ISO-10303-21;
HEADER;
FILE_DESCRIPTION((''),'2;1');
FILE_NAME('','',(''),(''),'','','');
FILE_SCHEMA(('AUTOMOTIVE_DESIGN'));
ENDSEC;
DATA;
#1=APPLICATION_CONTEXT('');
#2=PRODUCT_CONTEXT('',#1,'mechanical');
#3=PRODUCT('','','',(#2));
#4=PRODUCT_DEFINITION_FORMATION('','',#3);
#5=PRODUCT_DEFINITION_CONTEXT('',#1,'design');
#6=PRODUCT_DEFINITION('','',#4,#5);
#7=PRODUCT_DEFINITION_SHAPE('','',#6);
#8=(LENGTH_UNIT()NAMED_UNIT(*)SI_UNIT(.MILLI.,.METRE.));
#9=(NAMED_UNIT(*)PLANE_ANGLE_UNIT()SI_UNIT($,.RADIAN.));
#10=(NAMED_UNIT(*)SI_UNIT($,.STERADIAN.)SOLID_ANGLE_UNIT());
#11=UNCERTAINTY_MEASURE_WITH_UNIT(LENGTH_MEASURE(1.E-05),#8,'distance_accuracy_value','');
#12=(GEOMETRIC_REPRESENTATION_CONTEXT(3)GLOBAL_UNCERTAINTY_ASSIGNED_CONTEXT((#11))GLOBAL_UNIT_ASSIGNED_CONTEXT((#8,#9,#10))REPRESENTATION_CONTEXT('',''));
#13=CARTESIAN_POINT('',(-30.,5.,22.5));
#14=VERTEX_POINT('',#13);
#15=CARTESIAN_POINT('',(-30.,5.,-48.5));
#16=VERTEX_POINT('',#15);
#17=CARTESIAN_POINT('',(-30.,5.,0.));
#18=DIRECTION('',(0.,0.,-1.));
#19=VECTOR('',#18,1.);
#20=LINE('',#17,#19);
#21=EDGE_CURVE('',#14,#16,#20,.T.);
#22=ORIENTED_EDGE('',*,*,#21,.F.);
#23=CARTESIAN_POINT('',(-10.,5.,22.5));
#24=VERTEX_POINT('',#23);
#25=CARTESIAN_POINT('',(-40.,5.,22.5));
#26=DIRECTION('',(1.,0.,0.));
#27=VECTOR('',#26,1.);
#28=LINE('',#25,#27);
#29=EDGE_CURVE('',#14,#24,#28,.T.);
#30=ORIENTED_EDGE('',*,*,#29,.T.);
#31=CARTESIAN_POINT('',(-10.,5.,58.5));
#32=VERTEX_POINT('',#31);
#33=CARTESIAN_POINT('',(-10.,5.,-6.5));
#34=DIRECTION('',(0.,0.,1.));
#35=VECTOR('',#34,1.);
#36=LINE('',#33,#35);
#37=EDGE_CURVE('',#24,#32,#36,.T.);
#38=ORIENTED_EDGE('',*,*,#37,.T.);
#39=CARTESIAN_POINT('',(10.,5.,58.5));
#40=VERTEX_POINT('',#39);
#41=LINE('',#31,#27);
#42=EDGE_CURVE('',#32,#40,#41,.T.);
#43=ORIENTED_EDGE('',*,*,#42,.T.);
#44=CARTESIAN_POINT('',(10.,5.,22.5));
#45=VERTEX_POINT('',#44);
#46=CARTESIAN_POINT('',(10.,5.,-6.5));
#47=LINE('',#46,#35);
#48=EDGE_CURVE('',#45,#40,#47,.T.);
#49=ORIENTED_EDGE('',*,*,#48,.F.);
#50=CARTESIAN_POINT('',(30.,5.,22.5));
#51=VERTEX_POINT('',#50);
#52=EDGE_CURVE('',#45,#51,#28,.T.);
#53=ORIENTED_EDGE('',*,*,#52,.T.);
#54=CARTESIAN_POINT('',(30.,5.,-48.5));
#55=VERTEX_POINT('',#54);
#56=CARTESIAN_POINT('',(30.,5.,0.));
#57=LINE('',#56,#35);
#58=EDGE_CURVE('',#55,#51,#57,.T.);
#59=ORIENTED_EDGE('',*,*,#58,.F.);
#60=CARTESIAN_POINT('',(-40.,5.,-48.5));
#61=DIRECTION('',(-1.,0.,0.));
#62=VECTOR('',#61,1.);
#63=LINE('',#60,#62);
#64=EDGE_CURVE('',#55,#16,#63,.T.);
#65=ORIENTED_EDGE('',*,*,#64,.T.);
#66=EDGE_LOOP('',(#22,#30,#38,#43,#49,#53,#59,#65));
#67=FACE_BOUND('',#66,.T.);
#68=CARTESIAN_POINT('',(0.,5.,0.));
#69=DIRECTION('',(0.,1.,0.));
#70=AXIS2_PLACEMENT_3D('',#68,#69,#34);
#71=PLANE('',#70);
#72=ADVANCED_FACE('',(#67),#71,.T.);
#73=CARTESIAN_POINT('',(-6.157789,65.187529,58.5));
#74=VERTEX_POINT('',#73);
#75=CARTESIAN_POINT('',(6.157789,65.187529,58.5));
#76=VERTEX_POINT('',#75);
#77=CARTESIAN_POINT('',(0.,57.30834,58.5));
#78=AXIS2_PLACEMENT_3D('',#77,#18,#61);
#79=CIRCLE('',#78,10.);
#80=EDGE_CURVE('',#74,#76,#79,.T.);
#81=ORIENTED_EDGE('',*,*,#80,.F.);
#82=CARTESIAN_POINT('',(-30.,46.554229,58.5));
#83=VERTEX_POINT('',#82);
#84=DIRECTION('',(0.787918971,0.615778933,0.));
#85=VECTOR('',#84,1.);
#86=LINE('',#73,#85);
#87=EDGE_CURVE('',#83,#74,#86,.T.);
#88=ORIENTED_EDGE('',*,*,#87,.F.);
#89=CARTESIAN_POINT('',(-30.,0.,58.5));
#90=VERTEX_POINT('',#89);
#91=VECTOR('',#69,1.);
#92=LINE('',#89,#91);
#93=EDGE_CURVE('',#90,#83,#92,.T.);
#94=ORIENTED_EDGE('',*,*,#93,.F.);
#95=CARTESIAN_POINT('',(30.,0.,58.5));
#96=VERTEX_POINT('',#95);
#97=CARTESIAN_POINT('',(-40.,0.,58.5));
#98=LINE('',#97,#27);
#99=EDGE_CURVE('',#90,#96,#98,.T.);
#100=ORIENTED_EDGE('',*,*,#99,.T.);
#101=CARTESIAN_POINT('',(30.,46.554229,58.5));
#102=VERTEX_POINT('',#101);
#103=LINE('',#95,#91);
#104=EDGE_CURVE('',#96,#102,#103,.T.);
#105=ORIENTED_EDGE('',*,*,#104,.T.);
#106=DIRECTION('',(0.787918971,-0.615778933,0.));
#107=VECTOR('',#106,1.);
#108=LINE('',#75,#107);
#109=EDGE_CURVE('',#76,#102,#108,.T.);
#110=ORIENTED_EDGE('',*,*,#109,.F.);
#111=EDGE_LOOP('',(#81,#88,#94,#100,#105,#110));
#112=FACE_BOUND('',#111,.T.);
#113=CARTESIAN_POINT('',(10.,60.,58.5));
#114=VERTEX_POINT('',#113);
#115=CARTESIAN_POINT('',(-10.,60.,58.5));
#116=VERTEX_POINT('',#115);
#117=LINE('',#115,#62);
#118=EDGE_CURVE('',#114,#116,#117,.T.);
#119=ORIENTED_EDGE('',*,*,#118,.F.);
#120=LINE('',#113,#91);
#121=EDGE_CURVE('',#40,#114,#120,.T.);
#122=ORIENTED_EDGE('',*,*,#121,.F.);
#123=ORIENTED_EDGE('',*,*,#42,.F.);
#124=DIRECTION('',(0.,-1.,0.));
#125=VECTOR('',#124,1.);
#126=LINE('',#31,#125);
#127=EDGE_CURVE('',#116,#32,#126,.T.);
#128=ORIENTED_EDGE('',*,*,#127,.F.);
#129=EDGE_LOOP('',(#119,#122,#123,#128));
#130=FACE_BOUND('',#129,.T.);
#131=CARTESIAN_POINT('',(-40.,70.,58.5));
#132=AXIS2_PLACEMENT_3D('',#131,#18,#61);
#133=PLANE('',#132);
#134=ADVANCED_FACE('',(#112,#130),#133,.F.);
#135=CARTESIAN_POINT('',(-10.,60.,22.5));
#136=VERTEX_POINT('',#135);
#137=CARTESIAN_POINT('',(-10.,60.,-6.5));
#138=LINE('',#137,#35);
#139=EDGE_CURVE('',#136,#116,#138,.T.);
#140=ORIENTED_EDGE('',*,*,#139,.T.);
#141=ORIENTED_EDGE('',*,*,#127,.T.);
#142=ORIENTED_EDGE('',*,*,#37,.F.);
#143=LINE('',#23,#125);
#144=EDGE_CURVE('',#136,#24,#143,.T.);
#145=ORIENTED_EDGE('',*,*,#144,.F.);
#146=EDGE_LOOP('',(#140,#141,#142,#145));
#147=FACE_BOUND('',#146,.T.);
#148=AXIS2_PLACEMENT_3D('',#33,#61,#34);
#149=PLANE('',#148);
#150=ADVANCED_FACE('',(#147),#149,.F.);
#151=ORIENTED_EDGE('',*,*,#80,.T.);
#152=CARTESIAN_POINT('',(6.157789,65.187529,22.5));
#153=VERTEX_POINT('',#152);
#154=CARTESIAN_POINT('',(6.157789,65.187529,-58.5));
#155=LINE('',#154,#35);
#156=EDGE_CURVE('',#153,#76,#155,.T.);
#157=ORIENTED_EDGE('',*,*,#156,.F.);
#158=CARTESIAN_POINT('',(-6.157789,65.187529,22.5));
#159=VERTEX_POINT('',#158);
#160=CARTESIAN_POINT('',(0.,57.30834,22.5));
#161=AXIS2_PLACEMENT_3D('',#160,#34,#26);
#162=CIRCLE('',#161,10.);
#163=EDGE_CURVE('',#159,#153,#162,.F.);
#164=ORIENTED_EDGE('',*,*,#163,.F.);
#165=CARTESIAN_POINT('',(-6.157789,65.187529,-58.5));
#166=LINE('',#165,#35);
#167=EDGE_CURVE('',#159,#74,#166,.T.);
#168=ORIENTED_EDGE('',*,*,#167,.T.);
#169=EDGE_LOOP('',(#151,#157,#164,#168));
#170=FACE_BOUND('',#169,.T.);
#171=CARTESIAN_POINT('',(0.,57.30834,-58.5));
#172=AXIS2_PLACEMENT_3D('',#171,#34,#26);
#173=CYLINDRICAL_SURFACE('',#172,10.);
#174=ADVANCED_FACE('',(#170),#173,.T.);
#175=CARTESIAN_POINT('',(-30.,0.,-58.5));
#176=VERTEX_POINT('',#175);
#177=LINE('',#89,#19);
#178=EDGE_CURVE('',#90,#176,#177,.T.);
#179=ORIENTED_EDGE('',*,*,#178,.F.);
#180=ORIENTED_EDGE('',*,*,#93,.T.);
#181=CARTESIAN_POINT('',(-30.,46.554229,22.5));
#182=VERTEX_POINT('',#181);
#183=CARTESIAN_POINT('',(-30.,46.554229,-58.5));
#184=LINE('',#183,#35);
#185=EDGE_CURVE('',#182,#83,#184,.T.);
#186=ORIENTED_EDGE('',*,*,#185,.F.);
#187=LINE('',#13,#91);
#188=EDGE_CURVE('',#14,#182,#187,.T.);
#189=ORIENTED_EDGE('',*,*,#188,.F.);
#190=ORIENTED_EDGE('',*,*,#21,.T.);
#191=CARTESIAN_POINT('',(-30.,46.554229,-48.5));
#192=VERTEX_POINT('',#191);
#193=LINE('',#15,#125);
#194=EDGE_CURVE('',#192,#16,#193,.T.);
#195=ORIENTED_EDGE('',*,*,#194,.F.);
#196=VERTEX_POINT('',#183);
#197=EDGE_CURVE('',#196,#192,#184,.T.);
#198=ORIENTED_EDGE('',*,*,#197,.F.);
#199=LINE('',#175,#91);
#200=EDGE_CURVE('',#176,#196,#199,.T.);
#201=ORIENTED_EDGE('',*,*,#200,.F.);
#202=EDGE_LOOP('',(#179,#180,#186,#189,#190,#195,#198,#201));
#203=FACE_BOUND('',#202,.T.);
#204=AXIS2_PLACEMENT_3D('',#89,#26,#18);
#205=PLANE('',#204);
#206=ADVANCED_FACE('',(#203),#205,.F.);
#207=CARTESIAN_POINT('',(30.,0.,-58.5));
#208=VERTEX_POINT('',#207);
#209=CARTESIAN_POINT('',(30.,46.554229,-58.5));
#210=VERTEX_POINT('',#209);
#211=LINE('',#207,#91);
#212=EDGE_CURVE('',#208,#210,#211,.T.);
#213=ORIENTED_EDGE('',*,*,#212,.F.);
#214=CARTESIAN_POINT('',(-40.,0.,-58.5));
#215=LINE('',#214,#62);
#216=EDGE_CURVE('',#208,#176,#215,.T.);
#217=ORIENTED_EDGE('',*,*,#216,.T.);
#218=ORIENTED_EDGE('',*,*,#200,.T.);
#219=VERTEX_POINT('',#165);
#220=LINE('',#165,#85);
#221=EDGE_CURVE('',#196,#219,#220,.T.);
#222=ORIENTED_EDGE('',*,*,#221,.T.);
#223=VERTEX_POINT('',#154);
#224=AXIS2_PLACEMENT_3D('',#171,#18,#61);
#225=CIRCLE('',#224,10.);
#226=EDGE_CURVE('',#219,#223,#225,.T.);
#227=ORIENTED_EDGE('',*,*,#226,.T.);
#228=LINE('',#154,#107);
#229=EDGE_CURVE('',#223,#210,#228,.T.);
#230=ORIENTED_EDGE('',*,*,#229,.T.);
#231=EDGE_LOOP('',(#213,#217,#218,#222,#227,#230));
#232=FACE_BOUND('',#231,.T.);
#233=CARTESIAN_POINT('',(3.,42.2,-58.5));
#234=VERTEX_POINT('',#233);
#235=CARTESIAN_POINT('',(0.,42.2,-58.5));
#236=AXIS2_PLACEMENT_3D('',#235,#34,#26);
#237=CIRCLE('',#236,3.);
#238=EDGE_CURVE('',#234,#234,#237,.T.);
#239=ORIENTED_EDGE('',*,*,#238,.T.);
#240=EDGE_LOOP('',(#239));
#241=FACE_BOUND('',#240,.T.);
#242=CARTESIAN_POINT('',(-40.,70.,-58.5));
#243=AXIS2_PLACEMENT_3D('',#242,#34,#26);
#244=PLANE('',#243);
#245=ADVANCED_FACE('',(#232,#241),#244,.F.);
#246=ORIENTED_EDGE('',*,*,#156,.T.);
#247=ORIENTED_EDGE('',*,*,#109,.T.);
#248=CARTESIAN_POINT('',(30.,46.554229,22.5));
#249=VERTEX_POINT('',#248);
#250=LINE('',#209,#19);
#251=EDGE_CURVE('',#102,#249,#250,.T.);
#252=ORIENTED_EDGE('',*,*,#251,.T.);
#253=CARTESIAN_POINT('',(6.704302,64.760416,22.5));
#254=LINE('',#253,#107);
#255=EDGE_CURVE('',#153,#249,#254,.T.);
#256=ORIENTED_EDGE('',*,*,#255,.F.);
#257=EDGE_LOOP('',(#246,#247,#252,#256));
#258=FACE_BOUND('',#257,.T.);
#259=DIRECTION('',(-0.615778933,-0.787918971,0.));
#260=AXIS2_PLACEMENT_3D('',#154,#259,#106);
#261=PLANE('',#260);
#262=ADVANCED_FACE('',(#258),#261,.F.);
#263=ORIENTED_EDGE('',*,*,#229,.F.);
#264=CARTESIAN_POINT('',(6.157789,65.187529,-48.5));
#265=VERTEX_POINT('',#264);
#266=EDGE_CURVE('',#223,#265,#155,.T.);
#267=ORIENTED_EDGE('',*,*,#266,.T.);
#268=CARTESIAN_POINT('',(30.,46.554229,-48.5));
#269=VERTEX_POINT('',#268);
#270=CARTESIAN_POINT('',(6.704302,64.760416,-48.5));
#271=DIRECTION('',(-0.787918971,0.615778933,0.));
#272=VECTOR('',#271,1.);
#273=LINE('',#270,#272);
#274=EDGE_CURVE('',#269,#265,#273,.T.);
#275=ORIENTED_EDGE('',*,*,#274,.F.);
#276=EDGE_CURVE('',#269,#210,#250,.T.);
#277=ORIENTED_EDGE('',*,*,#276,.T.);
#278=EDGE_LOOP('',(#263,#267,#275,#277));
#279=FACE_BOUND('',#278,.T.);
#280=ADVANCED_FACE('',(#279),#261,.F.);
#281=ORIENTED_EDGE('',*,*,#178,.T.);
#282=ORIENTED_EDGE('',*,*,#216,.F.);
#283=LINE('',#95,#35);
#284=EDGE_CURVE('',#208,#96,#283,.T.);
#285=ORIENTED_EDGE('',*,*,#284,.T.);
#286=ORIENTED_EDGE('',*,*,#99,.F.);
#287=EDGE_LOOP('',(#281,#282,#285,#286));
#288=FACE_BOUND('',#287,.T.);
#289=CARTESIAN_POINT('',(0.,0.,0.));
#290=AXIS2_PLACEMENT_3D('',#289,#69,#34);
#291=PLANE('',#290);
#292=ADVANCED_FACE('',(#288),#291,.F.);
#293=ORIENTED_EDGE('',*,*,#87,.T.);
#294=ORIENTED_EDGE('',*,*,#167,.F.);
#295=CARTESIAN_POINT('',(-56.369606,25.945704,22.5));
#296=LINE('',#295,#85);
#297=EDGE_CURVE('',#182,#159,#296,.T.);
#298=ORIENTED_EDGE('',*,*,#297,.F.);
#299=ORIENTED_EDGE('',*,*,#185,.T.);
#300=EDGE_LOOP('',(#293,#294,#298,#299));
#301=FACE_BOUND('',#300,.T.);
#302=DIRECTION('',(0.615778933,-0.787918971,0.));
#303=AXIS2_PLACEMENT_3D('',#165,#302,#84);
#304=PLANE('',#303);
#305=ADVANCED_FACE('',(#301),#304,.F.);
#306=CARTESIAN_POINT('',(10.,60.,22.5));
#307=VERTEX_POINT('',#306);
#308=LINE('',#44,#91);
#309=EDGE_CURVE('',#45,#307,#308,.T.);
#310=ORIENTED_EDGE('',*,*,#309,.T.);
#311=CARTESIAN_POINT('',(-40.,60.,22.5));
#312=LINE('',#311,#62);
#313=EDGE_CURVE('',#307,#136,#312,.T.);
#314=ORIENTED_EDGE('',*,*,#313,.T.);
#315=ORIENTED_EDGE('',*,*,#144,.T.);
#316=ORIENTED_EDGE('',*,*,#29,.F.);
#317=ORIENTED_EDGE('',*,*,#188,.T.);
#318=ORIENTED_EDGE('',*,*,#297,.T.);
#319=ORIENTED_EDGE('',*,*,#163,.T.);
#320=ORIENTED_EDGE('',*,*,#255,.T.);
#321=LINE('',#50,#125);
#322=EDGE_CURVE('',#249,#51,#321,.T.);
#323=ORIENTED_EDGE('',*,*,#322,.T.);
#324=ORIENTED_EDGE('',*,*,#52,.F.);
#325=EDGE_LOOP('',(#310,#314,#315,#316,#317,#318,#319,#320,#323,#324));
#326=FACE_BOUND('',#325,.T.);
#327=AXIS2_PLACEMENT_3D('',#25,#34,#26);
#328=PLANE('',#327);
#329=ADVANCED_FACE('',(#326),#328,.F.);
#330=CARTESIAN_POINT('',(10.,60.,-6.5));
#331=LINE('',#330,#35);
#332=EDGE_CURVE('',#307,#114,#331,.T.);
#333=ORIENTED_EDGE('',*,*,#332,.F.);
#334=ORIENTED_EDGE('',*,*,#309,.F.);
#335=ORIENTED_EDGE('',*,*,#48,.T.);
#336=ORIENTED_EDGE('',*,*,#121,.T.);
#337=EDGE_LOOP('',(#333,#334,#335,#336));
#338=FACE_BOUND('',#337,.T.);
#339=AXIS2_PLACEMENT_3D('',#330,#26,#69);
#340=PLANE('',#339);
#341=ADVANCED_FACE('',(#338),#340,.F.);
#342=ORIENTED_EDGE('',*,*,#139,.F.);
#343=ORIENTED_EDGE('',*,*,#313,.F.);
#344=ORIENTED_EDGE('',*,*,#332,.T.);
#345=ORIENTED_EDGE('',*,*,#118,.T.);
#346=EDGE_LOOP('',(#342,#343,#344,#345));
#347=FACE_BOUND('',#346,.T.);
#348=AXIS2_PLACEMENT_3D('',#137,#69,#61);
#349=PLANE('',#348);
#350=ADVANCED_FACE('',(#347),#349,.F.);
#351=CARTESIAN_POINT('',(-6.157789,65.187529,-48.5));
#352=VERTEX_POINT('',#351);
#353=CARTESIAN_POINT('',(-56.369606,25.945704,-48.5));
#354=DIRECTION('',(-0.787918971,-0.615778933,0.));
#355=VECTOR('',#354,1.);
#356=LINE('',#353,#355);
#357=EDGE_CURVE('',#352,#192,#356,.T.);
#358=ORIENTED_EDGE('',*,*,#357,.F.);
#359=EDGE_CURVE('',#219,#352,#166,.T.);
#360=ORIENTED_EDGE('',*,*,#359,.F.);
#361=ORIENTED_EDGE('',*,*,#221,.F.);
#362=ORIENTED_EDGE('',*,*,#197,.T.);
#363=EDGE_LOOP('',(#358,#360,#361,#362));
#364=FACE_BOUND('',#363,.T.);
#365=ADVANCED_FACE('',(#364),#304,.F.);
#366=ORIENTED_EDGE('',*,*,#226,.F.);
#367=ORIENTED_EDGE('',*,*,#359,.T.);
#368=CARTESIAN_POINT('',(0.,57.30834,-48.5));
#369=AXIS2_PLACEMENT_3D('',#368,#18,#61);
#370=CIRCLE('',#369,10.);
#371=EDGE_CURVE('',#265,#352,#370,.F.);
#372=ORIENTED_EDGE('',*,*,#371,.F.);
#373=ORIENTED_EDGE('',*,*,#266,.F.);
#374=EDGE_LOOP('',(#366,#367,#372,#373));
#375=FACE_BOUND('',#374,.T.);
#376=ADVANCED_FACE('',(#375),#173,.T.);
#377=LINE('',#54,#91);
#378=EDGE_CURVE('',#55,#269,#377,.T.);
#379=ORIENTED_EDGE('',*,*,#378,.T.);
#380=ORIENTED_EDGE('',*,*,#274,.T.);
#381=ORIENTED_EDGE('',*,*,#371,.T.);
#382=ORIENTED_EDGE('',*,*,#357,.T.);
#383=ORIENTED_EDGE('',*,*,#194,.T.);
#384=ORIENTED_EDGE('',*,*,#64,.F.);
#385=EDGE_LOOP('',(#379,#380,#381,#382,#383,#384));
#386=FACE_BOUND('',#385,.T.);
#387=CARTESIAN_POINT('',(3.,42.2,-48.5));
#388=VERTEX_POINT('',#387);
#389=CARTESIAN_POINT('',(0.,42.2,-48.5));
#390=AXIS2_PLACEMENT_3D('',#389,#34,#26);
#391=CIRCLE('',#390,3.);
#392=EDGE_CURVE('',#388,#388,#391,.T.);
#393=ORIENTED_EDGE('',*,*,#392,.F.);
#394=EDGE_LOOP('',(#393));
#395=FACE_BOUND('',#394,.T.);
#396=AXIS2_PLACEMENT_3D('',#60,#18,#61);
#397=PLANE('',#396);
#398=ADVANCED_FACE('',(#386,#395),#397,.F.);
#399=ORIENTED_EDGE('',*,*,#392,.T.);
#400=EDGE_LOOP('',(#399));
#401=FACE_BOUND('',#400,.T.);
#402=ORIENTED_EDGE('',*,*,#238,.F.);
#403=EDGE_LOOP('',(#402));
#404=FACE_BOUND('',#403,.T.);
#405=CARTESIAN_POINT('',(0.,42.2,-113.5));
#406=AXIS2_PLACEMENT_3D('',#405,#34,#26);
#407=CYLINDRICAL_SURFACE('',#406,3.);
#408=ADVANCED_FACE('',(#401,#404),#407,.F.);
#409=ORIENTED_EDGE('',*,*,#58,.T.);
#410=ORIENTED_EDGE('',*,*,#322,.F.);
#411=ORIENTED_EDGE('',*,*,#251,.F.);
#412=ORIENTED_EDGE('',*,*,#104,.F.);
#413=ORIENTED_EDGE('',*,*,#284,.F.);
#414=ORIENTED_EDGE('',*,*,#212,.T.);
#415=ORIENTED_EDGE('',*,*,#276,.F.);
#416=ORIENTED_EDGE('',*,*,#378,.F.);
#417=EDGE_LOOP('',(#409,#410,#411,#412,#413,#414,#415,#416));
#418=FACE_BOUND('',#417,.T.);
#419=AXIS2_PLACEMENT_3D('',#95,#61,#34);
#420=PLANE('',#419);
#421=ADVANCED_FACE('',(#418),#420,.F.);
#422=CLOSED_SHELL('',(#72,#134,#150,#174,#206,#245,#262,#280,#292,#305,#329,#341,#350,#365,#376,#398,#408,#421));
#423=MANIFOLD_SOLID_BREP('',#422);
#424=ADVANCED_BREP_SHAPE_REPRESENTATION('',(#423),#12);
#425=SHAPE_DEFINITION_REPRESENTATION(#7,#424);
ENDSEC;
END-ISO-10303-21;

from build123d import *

# Parameters (mm, degrees)
SKETCH2_W           = 80
SKETCH2_H           = 117
BOSS_EXTRUDE1_DEPTH = 70
SKETCH3_W           = 80
SKETCH3_H           = 71
CUT_EXTRUDE1_DEPTH  = 65
SKETCH4_W           = 20
SKETCH4_H           = 55
CUT_EXTRUDE2_DEPTH  = 65
CUT_EXTRUDE3_DEPTH  = 143.088000901
SKETCH6_R           = 3
CUT_EXTRUDE4_DEPTH  = 65
SKETCH8_W           = 10
SKETCH8_H           = 117
CUT_EXTRUDE5_DEPTH  = 98.731980436


with BuildPart() as part:
    # Sketch2 → Boss-Extrude1 (new body)
    with BuildSketch(Plane(origin=(0, 0, 0), x_dir=(1, 0, 0), z_dir=(0, 1, 0))):
        Rectangle(SKETCH2_W, SKETCH2_H)
    extrude(amount=BOSS_EXTRUDE1_DEPTH)

    # Sketch3 → Cut-Extrude1 (cut)
    with BuildSketch(Plane(origin=(0, 70, 0), x_dir=(1, 0, 0), z_dir=(0, 1, 0))):
        with Locations((0, 13)):
            Rectangle(SKETCH3_W, SKETCH3_H)
    extrude(amount=-CUT_EXTRUDE1_DEPTH, mode=Mode.SUBTRACT)

    # Sketch4 → Cut-Extrude2 (cut)
    with BuildSketch(Plane.XY.offset(58.5)):
        with Locations((0, 32.5)):
            Rectangle(SKETCH4_W, SKETCH4_H)
    extrude(amount=-CUT_EXTRUDE2_DEPTH, mode=Mode.SUBTRACT)

    # Sketch5 → Cut-Extrude3 (cut, through all)
    with BuildSketch(Plane.XY.offset(58.5)):
        with BuildLine():
            Line((-6.157789331, 65.187529324), (-40, 38.738971621))
            Line((-40, 38.738971621), (-40, 70))
            Line((-40, 70), (40, 70))
            Line((40, 70), (40, 38.738971621))
            Line((40, 38.738971621), (6.157789331, 65.187529324))
            ThreePointArc((6.157789331, 65.187529324), (0, 67.30833961), (-6.157789331, 65.187529324))
        make_face()
    extrude(amount=-CUT_EXTRUDE3_DEPTH, mode=Mode.SUBTRACT)

    # Sketch6 → Cut-Extrude4 (cut)
    with BuildSketch(Plane.XY.offset(-48.5)):
        with Locations((0, 42.2)):
            Circle(SKETCH6_R)
    extrude(amount=-CUT_EXTRUDE4_DEPTH, mode=Mode.SUBTRACT)

    # Sketch8 → Cut-Extrude5 (cut, through all)
    with BuildSketch(Plane(origin=(0, 67.3, 0), x_dir=(1, 0, 0), z_dir=(0, 1, 0))):
        with Locations((-35, 0)):
            Rectangle(SKETCH8_W, SKETCH8_H)
        with Locations((35, 0)):
            Rectangle(SKETCH8_W, SKETCH8_H)
    extrude(amount=-CUT_EXTRUDE5_DEPTH, mode=Mode.SUBTRACT)


solid = part.part
